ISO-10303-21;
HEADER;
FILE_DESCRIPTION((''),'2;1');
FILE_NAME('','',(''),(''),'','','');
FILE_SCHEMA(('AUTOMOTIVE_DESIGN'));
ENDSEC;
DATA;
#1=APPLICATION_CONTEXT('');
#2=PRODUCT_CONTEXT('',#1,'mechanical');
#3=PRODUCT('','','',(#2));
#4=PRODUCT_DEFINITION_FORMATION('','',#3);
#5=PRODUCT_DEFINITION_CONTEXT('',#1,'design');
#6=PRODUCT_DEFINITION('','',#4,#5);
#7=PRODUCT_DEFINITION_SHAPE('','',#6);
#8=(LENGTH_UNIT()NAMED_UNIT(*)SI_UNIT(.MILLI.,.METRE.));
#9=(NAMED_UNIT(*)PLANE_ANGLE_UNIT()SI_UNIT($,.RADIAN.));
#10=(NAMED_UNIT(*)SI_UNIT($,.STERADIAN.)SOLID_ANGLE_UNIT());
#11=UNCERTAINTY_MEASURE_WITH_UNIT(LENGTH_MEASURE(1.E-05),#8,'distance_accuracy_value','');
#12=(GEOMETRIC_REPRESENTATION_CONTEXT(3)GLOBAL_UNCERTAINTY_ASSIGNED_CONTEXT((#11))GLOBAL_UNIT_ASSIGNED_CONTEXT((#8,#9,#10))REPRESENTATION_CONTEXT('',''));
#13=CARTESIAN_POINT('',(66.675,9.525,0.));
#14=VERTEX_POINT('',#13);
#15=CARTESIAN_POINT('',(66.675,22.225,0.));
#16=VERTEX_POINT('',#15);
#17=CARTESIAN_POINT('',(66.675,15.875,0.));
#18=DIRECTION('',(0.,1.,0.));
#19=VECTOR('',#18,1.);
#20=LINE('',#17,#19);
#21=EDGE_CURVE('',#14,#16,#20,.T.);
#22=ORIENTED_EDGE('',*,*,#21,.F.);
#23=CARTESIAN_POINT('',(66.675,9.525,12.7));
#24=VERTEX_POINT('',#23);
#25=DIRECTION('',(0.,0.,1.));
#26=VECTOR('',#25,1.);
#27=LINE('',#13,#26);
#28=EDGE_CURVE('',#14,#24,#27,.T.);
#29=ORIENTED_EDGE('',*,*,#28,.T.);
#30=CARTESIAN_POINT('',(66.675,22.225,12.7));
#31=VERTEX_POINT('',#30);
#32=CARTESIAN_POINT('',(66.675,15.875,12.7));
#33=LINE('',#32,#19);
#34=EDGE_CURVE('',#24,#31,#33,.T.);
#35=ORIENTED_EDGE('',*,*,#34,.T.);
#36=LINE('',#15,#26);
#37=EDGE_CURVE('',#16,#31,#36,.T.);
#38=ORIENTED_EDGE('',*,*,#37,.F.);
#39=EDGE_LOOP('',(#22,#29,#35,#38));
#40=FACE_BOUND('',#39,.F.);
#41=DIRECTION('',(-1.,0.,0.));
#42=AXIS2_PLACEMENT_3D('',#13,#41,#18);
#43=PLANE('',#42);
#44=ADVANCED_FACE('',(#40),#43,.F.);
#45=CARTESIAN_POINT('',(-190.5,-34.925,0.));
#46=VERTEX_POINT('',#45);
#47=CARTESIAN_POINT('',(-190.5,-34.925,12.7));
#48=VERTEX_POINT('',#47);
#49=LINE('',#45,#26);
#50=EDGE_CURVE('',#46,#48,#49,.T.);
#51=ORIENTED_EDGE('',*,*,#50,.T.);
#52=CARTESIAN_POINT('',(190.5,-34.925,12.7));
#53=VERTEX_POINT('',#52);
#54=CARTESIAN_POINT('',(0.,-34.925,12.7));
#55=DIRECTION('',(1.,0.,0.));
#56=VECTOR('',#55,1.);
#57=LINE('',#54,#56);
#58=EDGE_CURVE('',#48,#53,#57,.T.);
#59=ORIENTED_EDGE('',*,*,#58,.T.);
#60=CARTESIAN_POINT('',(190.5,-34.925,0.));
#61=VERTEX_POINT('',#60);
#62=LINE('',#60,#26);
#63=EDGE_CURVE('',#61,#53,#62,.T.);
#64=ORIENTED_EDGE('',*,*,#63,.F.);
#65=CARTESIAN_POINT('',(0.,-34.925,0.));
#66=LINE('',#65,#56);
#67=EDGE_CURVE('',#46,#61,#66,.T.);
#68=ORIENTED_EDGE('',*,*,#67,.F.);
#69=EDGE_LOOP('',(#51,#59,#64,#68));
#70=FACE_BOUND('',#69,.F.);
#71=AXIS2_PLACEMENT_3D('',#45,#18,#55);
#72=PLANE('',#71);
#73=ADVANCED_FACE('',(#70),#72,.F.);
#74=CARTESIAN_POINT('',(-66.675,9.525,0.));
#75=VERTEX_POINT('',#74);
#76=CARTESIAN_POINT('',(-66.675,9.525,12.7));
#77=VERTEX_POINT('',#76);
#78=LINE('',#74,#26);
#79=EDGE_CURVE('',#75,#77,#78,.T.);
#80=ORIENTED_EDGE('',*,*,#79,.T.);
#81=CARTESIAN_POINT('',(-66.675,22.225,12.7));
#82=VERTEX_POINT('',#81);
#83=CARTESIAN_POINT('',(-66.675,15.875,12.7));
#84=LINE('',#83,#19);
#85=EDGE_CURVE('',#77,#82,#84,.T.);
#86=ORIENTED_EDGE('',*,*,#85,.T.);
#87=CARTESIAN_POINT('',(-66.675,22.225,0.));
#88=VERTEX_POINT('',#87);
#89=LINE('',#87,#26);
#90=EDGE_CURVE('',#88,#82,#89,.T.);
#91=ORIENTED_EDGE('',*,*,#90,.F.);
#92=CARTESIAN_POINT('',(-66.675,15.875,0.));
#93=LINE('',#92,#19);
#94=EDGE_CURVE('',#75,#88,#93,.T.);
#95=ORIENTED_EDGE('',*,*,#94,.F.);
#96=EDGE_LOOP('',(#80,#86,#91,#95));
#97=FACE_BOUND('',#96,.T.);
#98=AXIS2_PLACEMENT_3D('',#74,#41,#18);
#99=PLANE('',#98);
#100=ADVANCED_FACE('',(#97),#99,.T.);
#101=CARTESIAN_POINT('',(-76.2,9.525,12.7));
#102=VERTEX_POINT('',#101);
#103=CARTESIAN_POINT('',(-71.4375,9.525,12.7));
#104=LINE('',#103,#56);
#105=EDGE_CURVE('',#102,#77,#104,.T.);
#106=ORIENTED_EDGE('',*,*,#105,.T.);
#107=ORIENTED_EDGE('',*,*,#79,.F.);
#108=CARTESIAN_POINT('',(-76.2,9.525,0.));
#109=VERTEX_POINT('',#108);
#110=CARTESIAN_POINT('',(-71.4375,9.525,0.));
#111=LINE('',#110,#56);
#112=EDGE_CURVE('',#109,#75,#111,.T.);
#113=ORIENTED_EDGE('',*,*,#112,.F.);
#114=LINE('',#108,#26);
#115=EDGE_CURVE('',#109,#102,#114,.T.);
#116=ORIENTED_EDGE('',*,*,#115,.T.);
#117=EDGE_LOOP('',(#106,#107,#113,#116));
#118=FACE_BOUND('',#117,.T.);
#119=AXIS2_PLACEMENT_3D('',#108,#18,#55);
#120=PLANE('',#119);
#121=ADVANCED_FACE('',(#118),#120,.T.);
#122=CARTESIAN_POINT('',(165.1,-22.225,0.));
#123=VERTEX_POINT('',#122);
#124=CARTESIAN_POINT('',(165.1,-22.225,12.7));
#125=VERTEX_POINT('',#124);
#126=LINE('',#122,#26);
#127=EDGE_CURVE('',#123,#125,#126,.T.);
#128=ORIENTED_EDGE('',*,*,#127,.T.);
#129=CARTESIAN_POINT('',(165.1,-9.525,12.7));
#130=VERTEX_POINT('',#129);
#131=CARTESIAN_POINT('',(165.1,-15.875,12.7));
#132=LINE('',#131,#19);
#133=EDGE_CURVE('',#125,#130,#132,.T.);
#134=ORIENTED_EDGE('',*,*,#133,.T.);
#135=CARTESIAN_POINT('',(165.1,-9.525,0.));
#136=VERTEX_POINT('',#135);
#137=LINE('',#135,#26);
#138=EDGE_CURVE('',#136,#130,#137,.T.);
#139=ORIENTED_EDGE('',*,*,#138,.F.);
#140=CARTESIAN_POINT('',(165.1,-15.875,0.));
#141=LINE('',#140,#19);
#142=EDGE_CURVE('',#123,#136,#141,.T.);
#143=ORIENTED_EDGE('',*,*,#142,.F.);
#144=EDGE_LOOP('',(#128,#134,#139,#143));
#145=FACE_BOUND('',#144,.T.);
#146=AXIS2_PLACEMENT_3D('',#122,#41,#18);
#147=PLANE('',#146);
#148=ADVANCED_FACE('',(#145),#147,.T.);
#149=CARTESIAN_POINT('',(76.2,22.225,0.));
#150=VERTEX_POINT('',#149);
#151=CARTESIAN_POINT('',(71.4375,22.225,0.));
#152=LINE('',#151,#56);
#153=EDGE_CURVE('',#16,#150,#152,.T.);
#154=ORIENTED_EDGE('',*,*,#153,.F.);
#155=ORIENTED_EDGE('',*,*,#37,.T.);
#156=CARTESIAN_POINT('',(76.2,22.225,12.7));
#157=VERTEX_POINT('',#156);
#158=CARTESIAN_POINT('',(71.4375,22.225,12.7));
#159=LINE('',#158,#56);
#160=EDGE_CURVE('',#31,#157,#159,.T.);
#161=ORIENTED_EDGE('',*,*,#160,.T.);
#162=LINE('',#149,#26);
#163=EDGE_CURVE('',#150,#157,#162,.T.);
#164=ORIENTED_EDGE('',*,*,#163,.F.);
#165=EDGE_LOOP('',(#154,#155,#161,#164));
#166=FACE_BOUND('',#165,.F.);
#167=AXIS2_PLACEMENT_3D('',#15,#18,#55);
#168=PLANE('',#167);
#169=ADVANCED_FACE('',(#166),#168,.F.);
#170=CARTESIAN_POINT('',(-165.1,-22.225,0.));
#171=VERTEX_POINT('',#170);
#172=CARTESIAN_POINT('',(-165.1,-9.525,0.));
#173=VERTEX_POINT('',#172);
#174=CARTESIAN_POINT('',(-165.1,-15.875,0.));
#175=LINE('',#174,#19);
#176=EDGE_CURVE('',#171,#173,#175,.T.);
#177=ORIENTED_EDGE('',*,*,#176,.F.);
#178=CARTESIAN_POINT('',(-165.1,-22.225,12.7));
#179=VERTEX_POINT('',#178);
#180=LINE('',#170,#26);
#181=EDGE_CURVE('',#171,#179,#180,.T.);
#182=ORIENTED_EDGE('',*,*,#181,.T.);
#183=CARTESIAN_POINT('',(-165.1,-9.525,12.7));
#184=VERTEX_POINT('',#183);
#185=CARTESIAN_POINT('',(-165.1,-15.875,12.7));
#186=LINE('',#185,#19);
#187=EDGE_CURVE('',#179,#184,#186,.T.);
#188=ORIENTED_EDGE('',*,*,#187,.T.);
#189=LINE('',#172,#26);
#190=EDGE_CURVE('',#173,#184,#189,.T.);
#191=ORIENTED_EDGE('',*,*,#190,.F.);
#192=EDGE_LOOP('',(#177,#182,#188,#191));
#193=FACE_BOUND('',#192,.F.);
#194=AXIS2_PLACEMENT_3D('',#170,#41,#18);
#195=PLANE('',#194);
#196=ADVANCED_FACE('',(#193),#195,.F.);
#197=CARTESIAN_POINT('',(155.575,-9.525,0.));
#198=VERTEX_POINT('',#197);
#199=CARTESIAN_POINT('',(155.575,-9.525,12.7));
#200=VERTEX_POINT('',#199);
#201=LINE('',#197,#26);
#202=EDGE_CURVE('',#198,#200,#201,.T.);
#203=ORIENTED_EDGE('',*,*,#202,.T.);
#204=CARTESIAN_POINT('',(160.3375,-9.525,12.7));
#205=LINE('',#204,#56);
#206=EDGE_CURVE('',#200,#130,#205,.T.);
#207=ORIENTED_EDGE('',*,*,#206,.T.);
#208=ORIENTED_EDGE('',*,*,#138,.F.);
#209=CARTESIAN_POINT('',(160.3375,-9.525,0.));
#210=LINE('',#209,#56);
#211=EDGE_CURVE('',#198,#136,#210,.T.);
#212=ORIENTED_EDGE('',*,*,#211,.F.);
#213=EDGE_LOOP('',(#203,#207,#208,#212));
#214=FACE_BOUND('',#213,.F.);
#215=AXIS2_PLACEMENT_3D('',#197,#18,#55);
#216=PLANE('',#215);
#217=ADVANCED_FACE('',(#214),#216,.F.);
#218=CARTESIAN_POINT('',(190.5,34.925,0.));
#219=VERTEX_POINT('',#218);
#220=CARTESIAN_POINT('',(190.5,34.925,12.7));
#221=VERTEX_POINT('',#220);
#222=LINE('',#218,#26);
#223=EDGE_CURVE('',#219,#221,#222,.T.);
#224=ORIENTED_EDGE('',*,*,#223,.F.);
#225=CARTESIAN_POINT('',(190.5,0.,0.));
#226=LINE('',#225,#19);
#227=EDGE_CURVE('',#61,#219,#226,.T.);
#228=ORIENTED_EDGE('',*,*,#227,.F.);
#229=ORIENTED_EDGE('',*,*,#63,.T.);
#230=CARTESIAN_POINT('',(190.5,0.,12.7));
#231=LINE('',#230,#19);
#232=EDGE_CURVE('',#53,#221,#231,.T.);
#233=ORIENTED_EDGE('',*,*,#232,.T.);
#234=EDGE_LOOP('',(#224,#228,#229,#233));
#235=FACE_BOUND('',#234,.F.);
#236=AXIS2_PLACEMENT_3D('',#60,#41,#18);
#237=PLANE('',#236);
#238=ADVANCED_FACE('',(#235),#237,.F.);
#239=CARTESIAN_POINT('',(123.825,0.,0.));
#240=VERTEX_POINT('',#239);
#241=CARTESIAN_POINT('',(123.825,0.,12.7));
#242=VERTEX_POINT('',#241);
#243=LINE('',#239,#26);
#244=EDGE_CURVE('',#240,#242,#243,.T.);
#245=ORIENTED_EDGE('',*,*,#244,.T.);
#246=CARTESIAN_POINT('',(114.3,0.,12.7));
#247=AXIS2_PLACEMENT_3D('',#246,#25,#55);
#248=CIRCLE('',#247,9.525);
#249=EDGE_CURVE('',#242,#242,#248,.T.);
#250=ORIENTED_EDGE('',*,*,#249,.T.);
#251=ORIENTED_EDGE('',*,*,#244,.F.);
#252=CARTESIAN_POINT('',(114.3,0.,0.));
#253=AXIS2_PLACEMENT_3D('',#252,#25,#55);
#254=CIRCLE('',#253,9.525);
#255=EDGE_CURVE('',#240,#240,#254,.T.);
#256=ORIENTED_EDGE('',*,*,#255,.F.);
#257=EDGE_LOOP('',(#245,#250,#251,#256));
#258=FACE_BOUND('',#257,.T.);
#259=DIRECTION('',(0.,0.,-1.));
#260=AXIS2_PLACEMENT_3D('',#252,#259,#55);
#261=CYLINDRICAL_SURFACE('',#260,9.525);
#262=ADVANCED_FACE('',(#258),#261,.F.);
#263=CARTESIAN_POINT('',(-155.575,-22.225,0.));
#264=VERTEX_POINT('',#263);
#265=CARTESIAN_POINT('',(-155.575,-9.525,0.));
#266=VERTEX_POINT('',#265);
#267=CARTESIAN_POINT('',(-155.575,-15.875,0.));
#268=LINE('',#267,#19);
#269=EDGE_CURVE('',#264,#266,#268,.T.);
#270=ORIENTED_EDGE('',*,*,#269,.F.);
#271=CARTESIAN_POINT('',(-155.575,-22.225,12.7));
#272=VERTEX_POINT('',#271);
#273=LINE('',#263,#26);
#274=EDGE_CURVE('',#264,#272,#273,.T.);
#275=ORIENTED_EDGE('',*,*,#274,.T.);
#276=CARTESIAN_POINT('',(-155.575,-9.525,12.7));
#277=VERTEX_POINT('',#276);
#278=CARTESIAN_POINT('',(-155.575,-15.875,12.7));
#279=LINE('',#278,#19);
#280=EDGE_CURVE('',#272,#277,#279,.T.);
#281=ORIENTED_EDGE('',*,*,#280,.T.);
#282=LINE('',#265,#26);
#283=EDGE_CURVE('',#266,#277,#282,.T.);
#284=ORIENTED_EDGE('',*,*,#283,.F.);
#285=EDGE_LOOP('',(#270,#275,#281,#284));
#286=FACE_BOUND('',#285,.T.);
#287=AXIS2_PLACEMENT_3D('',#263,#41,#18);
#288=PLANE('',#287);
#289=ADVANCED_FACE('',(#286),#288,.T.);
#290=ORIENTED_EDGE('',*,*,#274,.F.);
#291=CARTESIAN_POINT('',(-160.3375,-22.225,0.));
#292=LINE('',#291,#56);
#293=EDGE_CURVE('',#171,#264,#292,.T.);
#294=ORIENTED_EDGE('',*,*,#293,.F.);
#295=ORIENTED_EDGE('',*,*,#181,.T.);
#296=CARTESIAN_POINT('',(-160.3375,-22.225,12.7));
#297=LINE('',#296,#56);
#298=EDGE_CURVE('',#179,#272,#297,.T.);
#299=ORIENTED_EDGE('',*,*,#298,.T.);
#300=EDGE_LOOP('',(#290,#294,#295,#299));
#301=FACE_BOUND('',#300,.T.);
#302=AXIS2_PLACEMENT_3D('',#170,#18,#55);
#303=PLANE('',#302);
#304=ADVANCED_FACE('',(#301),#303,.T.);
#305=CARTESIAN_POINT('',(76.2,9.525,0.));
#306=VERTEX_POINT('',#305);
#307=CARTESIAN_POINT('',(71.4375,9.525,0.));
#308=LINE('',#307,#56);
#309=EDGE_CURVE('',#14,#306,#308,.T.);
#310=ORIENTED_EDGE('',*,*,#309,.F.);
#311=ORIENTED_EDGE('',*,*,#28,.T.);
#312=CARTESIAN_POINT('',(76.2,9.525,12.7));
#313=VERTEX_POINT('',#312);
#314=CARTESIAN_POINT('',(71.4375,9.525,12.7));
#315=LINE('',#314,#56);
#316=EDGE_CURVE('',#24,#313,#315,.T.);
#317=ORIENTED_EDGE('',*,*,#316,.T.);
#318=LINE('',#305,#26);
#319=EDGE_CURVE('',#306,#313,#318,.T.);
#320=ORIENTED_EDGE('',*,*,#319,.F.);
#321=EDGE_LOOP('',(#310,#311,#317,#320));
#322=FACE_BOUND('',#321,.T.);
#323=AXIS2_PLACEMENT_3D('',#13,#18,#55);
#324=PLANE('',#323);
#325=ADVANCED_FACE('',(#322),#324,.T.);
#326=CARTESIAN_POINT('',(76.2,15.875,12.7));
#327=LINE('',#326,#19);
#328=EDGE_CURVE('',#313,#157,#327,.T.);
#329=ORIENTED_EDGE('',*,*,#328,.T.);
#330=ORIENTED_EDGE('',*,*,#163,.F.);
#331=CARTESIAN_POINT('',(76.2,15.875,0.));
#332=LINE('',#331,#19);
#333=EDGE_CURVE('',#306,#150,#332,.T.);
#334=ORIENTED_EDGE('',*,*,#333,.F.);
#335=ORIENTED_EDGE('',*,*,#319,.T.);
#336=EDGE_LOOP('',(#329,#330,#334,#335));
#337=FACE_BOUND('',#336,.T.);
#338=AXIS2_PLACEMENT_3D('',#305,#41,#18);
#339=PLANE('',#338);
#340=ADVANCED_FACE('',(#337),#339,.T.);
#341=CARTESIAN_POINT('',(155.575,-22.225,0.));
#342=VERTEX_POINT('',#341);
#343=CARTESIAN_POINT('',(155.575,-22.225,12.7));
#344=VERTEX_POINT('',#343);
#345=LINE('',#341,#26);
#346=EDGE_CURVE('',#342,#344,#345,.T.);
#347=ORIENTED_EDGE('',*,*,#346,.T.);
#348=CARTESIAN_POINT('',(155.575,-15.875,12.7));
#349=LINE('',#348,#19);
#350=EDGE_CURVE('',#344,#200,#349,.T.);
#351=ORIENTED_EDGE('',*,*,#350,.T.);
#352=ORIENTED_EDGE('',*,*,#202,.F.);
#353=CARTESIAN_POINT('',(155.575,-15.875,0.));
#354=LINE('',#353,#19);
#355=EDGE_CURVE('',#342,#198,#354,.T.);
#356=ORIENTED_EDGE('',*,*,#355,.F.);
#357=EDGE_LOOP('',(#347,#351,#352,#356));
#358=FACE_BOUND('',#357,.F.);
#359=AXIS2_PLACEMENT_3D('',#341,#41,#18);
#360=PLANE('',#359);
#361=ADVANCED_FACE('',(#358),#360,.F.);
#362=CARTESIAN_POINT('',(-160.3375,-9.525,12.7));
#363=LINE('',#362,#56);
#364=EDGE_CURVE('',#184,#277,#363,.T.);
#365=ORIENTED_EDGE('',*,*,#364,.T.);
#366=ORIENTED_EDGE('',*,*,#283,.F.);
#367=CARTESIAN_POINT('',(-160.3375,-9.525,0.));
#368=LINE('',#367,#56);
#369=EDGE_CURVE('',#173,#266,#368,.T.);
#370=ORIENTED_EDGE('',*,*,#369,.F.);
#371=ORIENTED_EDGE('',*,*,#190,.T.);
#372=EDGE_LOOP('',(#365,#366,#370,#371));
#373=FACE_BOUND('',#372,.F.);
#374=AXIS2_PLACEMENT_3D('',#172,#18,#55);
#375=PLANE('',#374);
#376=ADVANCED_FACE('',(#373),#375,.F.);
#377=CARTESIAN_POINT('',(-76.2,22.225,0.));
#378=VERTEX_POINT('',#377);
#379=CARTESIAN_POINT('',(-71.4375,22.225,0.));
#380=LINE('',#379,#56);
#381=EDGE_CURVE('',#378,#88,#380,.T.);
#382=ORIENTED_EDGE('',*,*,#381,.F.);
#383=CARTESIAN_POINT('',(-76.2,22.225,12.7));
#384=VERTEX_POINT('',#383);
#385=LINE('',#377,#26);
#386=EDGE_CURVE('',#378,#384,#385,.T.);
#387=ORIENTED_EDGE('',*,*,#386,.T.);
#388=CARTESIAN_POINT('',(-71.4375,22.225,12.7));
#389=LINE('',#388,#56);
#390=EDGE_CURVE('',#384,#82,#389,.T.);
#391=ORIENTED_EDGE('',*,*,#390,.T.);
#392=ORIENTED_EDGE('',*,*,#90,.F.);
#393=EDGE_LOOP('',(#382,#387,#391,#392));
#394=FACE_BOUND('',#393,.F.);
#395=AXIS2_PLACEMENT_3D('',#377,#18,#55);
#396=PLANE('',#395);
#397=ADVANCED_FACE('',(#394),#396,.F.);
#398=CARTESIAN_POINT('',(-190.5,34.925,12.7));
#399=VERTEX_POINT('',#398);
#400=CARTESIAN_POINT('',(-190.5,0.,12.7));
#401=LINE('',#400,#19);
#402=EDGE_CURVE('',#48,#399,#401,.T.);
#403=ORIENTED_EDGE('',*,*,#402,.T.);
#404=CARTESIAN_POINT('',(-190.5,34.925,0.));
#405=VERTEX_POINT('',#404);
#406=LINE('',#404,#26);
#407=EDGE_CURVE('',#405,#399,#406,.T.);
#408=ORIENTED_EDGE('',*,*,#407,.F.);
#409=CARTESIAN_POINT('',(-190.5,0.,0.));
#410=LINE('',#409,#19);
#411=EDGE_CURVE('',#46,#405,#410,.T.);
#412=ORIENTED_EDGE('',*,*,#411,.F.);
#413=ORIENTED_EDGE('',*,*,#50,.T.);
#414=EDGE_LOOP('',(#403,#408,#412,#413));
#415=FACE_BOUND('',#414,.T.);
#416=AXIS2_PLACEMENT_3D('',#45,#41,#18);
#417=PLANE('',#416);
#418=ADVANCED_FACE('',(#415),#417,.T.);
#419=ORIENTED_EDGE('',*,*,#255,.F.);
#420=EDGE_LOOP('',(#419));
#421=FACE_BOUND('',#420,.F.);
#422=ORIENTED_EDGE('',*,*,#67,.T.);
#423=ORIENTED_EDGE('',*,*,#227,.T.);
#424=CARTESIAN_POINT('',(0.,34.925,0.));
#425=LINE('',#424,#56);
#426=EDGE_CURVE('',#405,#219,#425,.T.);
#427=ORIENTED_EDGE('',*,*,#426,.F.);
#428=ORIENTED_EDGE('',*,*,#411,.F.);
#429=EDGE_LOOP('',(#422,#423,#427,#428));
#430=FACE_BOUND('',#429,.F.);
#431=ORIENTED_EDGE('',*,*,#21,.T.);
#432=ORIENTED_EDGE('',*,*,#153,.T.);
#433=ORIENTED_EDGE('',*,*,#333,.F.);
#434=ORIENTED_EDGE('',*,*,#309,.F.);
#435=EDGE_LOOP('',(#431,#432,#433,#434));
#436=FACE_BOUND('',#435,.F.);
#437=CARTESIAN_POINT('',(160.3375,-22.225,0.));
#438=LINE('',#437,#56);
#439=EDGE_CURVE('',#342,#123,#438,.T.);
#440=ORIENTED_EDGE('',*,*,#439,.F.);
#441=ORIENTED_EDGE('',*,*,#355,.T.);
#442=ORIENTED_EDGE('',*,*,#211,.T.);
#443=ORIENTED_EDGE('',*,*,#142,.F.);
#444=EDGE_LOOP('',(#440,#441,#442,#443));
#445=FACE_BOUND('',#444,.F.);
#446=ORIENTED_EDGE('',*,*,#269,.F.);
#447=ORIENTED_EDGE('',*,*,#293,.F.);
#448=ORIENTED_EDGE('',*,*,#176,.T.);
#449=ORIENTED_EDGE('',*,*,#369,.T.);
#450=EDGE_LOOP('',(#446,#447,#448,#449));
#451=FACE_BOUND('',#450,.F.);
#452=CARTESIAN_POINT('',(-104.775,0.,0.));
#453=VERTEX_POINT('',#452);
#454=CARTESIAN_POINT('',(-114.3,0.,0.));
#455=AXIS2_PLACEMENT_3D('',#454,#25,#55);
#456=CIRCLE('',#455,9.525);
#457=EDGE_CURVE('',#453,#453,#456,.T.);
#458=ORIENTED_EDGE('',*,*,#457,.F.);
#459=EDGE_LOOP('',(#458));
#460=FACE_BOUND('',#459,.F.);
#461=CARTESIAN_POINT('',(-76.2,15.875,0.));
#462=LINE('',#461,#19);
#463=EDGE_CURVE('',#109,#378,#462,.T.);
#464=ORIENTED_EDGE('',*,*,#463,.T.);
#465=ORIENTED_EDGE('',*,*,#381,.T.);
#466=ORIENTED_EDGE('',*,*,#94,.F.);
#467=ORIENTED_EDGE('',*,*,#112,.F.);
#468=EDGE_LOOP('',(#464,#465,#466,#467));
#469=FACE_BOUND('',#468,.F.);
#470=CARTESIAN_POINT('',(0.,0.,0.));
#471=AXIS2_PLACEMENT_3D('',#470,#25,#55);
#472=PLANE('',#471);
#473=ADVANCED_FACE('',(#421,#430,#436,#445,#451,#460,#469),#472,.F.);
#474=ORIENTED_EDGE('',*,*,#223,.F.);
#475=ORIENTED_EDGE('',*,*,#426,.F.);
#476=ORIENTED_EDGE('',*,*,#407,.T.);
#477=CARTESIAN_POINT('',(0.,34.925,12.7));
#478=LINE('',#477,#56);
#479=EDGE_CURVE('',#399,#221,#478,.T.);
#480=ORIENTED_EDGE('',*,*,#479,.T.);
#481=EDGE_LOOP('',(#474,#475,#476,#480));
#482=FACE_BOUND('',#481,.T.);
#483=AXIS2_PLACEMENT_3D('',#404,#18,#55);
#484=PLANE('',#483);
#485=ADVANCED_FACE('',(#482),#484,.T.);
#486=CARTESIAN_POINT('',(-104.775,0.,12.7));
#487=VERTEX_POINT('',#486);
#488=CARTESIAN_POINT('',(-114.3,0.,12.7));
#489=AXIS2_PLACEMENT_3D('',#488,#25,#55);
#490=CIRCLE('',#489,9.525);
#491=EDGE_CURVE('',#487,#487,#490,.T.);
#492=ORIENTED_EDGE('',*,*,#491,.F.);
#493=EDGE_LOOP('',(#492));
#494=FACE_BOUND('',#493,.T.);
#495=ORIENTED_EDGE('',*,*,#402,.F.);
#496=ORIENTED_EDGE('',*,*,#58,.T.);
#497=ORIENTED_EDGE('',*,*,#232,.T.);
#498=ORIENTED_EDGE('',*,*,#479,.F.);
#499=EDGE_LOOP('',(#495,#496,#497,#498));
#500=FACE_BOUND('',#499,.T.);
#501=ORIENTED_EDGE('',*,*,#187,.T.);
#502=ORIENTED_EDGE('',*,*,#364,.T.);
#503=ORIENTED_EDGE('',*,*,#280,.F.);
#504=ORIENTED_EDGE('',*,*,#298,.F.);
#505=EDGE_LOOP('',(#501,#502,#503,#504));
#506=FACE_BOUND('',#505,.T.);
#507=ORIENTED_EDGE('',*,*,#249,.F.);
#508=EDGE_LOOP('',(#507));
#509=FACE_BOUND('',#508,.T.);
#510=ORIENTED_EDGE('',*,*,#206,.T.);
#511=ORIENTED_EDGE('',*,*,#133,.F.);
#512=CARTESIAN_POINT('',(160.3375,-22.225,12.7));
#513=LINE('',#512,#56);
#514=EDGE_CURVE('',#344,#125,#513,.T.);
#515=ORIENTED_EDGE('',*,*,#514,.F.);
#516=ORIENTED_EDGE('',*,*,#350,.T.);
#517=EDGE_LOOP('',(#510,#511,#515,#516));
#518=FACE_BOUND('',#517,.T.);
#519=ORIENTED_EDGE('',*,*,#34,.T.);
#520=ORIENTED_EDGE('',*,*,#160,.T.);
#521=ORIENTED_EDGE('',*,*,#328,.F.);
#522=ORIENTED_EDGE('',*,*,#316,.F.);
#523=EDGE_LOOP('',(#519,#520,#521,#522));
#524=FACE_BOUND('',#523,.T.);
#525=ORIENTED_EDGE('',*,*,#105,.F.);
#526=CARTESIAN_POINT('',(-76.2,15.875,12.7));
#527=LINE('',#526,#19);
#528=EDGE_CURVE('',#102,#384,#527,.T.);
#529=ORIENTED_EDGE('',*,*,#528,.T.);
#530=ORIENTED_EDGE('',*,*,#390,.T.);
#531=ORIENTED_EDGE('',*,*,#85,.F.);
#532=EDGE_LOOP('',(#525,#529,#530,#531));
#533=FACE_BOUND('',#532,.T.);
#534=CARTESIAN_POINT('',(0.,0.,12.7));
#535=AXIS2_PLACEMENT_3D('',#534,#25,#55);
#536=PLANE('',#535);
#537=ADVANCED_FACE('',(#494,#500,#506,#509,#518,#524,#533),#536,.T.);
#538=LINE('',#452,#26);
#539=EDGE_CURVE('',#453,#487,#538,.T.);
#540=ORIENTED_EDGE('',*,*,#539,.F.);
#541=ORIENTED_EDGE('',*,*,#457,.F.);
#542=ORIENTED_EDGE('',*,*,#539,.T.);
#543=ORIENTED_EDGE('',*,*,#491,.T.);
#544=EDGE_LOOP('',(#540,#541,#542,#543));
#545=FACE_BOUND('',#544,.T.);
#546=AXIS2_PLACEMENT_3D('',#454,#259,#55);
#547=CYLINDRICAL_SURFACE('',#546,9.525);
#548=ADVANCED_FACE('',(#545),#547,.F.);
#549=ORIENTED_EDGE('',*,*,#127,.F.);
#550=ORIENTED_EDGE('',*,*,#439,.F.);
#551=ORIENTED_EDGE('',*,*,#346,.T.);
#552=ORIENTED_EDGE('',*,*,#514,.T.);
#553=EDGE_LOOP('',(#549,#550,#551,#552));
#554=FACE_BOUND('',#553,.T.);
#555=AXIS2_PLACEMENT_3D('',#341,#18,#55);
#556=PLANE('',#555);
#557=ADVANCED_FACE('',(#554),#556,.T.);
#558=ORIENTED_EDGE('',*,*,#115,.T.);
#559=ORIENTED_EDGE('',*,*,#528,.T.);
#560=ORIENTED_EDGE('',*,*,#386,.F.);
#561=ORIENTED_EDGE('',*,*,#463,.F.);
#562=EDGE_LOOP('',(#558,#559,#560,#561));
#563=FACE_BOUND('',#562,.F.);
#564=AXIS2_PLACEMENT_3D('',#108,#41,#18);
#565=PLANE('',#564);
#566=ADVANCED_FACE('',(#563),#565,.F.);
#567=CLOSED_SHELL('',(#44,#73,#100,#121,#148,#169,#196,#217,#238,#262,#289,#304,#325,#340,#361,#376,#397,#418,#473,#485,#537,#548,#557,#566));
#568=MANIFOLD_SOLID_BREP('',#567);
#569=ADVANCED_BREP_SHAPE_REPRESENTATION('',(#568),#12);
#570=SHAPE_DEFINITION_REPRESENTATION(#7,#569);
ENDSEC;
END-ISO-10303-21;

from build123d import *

# Parameters (mm, degrees)
F0_W     = 381
F0_H     = 69.85
F0_W_2   = 9.525
F0_H_2   = 12.7
F0_R     = 9.525
F1_DEPTH = 12.7


with BuildPart() as f1:
    # F0 (on Top) → F1 (new body)
    with BuildSketch(Plane.XY):
        Rectangle(F0_W, F0_H)
        with Locations((-160.3375, -15.875)):
            Rectangle(F0_W_2, F0_H_2, mode=Mode.SUBTRACT)
        with Locations((160.3375, -15.875)):
            Rectangle(F0_W_2, F0_H_2, mode=Mode.SUBTRACT)
        with Locations((-114.3, 0)):
            Circle(F0_R, mode=Mode.SUBTRACT)
        with Locations((-71.4375, 15.875)):
            Rectangle(F0_W_2, F0_H_2, mode=Mode.SUBTRACT)
        with Locations((71.4375, 15.875)):
            Rectangle(F0_W_2, F0_H_2, mode=Mode.SUBTRACT)
        with Locations((114.3, 0)):
            Circle(F0_R, mode=Mode.SUBTRACT)
    extrude(amount=F1_DEPTH)


solid = f1.part
